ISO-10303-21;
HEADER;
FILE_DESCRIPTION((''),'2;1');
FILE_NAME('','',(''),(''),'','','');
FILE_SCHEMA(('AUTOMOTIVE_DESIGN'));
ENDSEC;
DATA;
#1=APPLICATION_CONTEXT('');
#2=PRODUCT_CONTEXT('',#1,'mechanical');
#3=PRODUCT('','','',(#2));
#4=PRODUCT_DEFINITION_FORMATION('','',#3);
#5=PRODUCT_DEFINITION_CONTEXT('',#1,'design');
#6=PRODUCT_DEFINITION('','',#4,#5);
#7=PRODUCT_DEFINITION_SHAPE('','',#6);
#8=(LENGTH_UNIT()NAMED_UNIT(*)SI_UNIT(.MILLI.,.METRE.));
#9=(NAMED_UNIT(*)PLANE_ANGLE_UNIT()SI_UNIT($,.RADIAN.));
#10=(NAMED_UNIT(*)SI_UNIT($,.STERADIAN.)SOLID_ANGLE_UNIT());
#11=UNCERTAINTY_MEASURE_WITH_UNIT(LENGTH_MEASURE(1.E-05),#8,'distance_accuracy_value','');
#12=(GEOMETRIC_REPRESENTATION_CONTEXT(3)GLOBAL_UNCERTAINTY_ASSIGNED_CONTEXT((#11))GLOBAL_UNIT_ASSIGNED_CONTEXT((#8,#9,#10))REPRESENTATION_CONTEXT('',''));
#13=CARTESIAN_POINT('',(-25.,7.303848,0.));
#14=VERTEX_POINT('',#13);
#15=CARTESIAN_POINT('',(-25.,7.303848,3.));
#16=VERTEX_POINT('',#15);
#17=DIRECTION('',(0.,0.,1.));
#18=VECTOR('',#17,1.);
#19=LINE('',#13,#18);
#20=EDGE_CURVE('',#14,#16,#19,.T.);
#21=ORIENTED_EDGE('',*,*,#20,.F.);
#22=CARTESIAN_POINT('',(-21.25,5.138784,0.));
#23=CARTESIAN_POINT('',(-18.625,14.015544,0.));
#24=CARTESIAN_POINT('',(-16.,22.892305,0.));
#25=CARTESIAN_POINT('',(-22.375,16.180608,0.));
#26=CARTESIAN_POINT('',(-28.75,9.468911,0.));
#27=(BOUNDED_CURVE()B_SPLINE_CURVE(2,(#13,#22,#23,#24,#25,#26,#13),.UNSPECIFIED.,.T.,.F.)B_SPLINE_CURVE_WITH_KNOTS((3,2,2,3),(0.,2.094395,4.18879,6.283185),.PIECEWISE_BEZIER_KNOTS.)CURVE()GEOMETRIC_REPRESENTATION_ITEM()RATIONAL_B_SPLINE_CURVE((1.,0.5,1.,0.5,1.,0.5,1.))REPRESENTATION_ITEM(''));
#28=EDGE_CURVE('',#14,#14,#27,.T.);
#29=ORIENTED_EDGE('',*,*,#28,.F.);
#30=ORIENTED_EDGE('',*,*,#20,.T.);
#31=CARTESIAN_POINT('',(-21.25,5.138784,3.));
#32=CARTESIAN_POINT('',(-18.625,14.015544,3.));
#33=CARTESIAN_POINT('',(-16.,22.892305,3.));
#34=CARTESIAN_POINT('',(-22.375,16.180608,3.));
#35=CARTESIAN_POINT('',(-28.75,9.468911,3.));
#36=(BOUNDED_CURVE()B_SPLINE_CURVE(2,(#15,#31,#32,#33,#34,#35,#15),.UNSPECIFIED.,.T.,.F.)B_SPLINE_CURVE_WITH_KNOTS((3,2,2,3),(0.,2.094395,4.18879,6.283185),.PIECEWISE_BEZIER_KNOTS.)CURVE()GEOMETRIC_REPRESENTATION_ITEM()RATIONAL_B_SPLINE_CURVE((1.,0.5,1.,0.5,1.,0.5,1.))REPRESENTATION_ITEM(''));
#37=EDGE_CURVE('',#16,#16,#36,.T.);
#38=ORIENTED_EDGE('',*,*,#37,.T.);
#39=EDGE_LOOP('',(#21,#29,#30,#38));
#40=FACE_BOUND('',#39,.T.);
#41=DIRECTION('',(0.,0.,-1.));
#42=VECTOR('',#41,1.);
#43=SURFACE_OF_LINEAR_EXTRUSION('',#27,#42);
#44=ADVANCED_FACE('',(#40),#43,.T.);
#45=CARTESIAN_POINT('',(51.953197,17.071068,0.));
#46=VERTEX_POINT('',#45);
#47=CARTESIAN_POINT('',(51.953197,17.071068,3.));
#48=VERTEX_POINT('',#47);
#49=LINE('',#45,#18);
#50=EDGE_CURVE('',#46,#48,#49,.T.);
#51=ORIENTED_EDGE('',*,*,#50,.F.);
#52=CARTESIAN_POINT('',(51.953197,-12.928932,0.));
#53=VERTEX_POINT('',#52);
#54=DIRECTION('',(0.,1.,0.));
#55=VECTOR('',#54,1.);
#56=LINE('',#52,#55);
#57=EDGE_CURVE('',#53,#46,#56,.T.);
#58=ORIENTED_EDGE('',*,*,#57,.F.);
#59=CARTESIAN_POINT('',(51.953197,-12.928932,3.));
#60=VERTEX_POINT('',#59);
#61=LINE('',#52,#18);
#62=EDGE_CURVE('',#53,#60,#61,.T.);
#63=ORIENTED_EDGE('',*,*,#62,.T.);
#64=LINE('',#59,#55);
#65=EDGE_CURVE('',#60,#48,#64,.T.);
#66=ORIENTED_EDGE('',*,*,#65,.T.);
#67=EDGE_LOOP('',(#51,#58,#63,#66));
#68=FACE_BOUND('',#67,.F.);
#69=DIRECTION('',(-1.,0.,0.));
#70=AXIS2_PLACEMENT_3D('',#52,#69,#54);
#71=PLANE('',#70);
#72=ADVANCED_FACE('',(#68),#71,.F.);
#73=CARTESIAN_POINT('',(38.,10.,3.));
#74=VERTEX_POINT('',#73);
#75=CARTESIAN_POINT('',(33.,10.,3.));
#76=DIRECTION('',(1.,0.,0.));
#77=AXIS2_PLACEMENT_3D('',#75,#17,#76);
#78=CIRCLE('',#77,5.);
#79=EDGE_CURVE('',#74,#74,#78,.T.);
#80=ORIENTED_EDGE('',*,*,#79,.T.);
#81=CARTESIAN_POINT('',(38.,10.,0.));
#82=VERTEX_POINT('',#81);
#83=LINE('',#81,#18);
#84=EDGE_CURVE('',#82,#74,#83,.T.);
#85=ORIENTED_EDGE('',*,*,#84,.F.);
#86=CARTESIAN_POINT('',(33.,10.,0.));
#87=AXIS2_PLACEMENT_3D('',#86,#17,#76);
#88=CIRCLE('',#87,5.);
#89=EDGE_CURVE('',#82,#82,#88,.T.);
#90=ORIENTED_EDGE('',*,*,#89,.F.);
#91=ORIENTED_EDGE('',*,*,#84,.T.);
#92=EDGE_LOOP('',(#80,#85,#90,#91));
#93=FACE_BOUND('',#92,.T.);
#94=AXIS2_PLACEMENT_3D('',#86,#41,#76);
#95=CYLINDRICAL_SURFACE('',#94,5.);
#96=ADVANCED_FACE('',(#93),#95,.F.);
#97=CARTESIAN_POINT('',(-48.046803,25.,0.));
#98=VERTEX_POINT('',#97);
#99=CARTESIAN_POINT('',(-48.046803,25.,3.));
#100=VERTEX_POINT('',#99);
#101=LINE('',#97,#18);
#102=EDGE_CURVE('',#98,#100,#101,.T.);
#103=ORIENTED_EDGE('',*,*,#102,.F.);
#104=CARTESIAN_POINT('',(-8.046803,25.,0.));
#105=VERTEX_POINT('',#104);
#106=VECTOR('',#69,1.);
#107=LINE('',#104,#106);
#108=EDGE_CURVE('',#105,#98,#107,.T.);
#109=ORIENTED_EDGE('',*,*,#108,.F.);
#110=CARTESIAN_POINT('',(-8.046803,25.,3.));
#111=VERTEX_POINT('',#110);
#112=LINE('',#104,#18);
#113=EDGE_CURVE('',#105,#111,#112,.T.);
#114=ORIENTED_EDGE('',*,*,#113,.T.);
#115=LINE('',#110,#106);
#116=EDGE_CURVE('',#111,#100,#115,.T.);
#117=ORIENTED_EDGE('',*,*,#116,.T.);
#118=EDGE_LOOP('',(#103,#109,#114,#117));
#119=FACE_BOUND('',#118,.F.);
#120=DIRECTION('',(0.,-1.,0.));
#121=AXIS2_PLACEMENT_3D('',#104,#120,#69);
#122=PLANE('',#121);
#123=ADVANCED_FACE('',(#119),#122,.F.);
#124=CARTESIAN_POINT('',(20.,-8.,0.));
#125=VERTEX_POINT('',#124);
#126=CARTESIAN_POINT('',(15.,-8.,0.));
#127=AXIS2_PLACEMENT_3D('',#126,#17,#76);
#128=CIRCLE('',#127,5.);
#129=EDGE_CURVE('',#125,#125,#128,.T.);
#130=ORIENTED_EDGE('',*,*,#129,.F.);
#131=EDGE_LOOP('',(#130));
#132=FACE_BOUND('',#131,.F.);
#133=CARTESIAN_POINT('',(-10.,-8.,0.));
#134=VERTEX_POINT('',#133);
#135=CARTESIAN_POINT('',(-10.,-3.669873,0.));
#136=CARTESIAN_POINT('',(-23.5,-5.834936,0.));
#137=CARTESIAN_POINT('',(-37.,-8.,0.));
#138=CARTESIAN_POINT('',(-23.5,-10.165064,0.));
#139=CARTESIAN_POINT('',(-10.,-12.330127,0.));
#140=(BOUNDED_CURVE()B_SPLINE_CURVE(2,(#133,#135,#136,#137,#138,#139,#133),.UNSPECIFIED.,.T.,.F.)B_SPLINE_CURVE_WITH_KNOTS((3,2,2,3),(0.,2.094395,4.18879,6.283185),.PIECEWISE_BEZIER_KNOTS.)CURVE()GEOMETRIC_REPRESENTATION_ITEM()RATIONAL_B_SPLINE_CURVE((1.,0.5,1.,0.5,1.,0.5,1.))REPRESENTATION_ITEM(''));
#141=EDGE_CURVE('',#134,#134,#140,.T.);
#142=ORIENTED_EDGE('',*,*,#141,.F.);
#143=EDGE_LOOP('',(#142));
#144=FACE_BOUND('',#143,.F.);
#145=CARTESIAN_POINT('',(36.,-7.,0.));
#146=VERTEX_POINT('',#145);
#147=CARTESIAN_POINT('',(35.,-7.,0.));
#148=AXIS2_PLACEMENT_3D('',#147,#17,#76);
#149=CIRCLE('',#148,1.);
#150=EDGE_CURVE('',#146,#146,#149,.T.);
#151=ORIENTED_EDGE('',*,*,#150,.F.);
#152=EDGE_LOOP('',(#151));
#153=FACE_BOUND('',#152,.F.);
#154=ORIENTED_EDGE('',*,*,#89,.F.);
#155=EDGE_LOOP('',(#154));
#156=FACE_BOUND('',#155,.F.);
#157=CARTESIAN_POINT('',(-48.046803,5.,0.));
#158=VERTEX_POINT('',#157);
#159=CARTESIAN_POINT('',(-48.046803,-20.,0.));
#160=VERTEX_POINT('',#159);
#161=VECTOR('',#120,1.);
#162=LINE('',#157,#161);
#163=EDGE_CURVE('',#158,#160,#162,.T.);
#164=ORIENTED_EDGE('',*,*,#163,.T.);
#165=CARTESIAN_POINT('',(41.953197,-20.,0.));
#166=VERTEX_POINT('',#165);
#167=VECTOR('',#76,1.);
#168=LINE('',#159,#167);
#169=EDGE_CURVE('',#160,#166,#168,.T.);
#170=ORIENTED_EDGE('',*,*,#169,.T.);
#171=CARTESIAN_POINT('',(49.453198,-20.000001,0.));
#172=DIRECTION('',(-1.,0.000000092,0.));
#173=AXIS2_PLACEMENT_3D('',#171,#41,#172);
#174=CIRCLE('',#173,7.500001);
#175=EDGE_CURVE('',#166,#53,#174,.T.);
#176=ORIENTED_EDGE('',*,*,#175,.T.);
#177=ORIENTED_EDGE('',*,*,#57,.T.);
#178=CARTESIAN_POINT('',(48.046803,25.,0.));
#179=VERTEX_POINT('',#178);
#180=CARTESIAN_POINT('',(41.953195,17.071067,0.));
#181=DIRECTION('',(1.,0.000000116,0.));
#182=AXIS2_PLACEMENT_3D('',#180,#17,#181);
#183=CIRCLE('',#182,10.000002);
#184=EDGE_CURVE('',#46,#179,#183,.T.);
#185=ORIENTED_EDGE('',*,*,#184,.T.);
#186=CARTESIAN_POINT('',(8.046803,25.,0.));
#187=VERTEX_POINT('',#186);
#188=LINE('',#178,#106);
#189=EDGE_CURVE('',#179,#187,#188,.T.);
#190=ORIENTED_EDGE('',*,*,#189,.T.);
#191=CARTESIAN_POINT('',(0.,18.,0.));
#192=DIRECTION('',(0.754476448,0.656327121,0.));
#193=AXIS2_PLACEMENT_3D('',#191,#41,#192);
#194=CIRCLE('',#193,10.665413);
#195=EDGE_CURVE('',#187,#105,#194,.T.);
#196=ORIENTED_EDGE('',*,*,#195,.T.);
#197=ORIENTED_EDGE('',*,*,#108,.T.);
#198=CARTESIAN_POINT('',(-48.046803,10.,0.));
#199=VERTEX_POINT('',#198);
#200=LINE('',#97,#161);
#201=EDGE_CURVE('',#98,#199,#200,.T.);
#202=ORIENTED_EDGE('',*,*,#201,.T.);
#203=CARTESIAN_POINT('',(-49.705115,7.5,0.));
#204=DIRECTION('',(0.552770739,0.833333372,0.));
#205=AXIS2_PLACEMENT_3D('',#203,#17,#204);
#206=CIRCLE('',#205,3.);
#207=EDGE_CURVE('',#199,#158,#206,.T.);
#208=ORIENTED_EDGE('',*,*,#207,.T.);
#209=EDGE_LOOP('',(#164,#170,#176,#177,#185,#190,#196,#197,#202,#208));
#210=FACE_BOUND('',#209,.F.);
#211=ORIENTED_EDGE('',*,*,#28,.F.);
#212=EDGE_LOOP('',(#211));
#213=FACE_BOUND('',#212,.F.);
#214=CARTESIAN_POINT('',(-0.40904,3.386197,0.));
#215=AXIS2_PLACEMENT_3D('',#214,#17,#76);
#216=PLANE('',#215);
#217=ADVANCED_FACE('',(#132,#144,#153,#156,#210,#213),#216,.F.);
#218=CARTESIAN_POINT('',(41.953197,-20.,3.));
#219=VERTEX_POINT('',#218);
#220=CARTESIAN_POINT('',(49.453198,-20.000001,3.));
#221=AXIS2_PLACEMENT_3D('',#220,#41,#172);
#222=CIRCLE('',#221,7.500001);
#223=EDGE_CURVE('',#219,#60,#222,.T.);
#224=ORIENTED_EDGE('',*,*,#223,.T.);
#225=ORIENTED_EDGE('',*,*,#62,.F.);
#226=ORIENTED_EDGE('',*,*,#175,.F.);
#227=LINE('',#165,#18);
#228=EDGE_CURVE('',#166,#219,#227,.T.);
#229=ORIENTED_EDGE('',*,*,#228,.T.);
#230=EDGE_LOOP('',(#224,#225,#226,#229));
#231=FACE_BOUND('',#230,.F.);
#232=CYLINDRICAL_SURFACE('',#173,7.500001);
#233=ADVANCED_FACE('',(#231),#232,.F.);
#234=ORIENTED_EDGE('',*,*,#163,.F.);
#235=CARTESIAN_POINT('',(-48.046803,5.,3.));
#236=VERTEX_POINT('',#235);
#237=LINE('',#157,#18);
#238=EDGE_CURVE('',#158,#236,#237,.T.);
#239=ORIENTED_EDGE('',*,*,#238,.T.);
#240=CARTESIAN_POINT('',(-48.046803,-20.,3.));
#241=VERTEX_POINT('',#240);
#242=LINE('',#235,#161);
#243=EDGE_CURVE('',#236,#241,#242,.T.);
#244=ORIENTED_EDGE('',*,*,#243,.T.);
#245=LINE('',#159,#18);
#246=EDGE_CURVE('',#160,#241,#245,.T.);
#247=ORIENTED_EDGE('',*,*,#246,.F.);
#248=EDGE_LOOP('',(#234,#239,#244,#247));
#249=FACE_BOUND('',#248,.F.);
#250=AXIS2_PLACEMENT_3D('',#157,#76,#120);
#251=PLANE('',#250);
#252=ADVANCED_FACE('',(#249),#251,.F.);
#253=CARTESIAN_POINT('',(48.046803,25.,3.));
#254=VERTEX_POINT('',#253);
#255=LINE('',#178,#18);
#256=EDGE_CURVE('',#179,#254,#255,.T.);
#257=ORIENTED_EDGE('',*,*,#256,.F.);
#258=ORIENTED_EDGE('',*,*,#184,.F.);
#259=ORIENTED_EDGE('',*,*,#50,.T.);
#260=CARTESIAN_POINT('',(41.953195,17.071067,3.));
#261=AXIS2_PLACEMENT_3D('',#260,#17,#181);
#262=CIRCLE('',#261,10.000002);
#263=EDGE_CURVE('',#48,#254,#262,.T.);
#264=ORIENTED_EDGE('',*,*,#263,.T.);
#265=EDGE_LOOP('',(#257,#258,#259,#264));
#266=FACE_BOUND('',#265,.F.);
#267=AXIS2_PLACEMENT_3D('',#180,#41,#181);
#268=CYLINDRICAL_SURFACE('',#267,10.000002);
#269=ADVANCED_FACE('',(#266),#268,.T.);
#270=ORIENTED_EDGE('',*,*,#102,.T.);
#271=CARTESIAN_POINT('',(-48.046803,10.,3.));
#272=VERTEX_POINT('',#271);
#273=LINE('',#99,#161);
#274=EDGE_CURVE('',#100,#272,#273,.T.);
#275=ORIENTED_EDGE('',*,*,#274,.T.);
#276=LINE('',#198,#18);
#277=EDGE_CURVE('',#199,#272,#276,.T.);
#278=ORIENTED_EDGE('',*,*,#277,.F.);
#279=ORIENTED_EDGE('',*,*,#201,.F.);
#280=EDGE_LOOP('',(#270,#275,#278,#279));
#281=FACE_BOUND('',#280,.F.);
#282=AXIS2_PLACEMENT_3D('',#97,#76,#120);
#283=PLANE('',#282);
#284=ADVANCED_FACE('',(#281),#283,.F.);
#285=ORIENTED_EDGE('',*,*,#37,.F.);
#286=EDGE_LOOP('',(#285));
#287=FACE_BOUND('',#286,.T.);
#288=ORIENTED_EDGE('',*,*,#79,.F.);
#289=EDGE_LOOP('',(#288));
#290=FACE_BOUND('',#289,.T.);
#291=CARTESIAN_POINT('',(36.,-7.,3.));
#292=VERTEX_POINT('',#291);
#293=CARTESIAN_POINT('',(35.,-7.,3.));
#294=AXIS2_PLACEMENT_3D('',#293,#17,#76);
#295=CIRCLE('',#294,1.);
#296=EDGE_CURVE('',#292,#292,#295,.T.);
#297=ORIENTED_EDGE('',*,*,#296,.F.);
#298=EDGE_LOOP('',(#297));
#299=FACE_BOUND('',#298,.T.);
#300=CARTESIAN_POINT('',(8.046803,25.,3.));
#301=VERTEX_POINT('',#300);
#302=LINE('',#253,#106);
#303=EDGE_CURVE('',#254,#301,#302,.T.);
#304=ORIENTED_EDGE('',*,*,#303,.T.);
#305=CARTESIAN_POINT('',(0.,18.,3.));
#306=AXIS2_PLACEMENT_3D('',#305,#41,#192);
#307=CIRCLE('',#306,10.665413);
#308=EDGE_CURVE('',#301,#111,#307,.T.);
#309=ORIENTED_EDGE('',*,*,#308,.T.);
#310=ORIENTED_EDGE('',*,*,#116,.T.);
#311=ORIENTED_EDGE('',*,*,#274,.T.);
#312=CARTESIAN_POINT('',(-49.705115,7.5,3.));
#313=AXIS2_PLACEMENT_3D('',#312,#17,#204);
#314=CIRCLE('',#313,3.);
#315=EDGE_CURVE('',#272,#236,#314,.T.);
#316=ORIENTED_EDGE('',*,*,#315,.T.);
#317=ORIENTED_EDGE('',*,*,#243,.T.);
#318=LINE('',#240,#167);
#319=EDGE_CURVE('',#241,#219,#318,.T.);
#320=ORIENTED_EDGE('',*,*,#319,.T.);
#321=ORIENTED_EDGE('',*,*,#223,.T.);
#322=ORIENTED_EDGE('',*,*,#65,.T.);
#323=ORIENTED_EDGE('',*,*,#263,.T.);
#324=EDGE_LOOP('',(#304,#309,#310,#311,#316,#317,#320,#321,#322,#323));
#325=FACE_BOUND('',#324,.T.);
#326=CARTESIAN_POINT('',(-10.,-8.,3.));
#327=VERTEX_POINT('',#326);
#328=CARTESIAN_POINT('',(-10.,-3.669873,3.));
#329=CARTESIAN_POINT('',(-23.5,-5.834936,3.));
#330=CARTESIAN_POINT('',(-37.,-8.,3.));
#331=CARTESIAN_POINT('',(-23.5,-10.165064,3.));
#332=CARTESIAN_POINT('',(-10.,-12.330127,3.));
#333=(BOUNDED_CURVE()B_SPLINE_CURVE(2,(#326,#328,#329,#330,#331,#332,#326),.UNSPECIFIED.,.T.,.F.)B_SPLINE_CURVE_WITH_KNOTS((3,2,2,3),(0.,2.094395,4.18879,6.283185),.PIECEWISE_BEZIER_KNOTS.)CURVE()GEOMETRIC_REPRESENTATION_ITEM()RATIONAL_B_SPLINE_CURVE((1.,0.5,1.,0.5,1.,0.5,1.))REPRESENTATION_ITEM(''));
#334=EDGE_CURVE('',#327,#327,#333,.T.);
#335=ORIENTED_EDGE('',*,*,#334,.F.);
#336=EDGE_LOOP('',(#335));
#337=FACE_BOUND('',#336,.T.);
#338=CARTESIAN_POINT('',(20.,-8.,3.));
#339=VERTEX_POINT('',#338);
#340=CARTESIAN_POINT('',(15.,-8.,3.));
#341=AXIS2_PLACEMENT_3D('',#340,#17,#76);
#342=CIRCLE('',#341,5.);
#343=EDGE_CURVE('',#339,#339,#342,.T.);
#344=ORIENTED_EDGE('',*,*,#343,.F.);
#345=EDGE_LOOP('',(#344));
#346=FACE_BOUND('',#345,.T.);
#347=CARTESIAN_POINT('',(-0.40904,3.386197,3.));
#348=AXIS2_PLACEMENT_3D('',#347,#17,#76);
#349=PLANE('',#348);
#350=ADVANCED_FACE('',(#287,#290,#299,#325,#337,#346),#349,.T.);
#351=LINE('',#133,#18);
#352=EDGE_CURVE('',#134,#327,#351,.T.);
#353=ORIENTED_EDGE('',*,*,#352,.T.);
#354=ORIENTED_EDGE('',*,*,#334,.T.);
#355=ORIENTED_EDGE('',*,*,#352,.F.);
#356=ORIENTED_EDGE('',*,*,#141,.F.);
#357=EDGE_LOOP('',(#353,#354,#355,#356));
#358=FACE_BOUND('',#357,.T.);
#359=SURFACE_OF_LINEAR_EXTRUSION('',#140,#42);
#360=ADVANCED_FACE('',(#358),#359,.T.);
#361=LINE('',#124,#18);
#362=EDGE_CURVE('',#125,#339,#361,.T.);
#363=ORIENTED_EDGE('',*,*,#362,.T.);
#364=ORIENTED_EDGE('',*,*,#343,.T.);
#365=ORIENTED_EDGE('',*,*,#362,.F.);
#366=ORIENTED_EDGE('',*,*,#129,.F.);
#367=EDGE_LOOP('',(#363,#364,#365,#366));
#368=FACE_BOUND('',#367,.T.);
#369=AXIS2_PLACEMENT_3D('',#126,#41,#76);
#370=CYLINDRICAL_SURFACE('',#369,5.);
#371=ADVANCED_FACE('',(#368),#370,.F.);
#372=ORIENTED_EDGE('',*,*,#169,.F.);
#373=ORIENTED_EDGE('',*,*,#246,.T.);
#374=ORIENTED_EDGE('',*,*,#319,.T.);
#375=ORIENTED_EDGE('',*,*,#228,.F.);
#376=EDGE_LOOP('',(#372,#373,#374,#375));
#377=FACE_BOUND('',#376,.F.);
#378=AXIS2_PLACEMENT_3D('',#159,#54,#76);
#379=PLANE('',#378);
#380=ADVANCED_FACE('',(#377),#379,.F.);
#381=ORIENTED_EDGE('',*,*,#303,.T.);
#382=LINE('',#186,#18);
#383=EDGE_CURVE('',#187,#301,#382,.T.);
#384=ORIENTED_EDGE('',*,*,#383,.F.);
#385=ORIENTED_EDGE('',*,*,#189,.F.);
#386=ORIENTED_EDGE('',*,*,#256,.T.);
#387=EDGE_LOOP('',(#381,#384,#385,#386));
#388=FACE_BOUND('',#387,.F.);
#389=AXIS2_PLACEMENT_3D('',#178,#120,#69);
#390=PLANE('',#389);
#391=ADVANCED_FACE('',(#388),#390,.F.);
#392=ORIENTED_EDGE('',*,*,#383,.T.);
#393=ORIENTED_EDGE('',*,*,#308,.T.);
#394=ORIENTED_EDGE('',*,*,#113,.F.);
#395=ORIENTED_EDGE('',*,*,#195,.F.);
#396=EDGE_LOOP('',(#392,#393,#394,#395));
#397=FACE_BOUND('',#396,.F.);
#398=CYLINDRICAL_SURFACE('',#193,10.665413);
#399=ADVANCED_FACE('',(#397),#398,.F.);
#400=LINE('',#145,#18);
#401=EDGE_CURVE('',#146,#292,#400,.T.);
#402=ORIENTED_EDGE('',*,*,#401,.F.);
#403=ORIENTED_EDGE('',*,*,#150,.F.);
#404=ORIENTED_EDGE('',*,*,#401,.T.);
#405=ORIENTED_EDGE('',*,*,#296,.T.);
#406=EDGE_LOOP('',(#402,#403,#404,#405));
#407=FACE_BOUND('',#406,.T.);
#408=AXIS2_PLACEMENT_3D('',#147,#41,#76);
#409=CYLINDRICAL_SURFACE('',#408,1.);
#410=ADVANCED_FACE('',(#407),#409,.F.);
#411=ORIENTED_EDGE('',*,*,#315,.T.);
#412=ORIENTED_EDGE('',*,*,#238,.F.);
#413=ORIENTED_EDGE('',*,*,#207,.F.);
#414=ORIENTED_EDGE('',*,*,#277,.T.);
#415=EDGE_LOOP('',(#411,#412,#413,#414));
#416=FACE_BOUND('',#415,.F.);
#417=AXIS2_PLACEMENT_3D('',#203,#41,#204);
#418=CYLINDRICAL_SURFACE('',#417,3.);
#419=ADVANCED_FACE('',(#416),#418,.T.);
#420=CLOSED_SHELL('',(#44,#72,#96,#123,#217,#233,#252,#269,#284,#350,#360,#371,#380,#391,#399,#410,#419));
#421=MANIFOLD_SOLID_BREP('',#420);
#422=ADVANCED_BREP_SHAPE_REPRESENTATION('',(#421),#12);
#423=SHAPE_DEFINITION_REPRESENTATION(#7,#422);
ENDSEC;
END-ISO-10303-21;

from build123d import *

# Parameters (mm, degrees)
SKETCH_R   = 5
SKETCH_R_2 = 1
PAD_DEPTH  = 3


with BuildPart() as part:
    # Sketch → Pad (new body)
    with BuildSketch(Plane.XY):
        with BuildLine():
            Line((-48.046803, -20), (41.953197, -20))
            ThreePointArc((41.953197, -20), (45.12307, -13.876276), (51.953197, -12.928932))
            Line((51.953197, -12.928932), (51.953197, 17.071068))
            ThreePointArc((51.953197, 17.071068), (50.923594, 21.490567), (48.046803, 25))
            Line((48.046803, 25), (8.046803, 25))
            ThreePointArc((8.046803, 25), (0, 7.334587), (-8.046803, 25))
            Line((-8.046803, 25), (-48.046803, 25))
            Line((-48.046803, 25), (-48.046803, 10))
            ThreePointArc((-48.046803, 10), (-52.705115, 7.5), (-48.046803, 5))
            Line((-48.046803, 5), (-48.046803, -20))
        make_face()
        with Locations((33, 10)):
            Circle(SKETCH_R, mode=Mode.SUBTRACT)
        with Locations((35, -7)):
            Circle(SKETCH_R_2, mode=Mode.SUBTRACT)
        with BuildLine():
            add(Edge.make_bspline(
                [(-10, -8), (-10, -3.669873), (-23.5, -5.834936), (-37, -8), (-23.5, -10.165064), (-10, -12.330127), (-10, -8)],
                knots=[0, 0, 0, 2.094395, 2.094395, 4.18879, 4.18879, 6.283185, 6.283185, 6.283185], degree=2, weights=[1, 0.5, 1, 0.5, 1, 0.5, 1]))
        make_face(mode=Mode.SUBTRACT)
        with BuildLine():
            add(Edge.make_bspline(
                [(-25, 7.303848), (-21.25, 5.138784), (-18.625, 14.015544), (-16, 22.892305), (-22.375, 16.180608), (-28.75, 9.468911), (-25, 7.303848)],
                knots=[0, 0, 0, 2.094395, 2.094395, 4.18879, 4.18879, 6.283185, 6.283185, 6.283185], degree=2, weights=[1, 0.5, 1, 0.5, 1, 0.5, 1]))
        make_face(mode=Mode.SUBTRACT)
        with Locations((15, -8)):
            Circle(SKETCH_R, mode=Mode.SUBTRACT)
    extrude(amount=PAD_DEPTH)


solid = part.part
